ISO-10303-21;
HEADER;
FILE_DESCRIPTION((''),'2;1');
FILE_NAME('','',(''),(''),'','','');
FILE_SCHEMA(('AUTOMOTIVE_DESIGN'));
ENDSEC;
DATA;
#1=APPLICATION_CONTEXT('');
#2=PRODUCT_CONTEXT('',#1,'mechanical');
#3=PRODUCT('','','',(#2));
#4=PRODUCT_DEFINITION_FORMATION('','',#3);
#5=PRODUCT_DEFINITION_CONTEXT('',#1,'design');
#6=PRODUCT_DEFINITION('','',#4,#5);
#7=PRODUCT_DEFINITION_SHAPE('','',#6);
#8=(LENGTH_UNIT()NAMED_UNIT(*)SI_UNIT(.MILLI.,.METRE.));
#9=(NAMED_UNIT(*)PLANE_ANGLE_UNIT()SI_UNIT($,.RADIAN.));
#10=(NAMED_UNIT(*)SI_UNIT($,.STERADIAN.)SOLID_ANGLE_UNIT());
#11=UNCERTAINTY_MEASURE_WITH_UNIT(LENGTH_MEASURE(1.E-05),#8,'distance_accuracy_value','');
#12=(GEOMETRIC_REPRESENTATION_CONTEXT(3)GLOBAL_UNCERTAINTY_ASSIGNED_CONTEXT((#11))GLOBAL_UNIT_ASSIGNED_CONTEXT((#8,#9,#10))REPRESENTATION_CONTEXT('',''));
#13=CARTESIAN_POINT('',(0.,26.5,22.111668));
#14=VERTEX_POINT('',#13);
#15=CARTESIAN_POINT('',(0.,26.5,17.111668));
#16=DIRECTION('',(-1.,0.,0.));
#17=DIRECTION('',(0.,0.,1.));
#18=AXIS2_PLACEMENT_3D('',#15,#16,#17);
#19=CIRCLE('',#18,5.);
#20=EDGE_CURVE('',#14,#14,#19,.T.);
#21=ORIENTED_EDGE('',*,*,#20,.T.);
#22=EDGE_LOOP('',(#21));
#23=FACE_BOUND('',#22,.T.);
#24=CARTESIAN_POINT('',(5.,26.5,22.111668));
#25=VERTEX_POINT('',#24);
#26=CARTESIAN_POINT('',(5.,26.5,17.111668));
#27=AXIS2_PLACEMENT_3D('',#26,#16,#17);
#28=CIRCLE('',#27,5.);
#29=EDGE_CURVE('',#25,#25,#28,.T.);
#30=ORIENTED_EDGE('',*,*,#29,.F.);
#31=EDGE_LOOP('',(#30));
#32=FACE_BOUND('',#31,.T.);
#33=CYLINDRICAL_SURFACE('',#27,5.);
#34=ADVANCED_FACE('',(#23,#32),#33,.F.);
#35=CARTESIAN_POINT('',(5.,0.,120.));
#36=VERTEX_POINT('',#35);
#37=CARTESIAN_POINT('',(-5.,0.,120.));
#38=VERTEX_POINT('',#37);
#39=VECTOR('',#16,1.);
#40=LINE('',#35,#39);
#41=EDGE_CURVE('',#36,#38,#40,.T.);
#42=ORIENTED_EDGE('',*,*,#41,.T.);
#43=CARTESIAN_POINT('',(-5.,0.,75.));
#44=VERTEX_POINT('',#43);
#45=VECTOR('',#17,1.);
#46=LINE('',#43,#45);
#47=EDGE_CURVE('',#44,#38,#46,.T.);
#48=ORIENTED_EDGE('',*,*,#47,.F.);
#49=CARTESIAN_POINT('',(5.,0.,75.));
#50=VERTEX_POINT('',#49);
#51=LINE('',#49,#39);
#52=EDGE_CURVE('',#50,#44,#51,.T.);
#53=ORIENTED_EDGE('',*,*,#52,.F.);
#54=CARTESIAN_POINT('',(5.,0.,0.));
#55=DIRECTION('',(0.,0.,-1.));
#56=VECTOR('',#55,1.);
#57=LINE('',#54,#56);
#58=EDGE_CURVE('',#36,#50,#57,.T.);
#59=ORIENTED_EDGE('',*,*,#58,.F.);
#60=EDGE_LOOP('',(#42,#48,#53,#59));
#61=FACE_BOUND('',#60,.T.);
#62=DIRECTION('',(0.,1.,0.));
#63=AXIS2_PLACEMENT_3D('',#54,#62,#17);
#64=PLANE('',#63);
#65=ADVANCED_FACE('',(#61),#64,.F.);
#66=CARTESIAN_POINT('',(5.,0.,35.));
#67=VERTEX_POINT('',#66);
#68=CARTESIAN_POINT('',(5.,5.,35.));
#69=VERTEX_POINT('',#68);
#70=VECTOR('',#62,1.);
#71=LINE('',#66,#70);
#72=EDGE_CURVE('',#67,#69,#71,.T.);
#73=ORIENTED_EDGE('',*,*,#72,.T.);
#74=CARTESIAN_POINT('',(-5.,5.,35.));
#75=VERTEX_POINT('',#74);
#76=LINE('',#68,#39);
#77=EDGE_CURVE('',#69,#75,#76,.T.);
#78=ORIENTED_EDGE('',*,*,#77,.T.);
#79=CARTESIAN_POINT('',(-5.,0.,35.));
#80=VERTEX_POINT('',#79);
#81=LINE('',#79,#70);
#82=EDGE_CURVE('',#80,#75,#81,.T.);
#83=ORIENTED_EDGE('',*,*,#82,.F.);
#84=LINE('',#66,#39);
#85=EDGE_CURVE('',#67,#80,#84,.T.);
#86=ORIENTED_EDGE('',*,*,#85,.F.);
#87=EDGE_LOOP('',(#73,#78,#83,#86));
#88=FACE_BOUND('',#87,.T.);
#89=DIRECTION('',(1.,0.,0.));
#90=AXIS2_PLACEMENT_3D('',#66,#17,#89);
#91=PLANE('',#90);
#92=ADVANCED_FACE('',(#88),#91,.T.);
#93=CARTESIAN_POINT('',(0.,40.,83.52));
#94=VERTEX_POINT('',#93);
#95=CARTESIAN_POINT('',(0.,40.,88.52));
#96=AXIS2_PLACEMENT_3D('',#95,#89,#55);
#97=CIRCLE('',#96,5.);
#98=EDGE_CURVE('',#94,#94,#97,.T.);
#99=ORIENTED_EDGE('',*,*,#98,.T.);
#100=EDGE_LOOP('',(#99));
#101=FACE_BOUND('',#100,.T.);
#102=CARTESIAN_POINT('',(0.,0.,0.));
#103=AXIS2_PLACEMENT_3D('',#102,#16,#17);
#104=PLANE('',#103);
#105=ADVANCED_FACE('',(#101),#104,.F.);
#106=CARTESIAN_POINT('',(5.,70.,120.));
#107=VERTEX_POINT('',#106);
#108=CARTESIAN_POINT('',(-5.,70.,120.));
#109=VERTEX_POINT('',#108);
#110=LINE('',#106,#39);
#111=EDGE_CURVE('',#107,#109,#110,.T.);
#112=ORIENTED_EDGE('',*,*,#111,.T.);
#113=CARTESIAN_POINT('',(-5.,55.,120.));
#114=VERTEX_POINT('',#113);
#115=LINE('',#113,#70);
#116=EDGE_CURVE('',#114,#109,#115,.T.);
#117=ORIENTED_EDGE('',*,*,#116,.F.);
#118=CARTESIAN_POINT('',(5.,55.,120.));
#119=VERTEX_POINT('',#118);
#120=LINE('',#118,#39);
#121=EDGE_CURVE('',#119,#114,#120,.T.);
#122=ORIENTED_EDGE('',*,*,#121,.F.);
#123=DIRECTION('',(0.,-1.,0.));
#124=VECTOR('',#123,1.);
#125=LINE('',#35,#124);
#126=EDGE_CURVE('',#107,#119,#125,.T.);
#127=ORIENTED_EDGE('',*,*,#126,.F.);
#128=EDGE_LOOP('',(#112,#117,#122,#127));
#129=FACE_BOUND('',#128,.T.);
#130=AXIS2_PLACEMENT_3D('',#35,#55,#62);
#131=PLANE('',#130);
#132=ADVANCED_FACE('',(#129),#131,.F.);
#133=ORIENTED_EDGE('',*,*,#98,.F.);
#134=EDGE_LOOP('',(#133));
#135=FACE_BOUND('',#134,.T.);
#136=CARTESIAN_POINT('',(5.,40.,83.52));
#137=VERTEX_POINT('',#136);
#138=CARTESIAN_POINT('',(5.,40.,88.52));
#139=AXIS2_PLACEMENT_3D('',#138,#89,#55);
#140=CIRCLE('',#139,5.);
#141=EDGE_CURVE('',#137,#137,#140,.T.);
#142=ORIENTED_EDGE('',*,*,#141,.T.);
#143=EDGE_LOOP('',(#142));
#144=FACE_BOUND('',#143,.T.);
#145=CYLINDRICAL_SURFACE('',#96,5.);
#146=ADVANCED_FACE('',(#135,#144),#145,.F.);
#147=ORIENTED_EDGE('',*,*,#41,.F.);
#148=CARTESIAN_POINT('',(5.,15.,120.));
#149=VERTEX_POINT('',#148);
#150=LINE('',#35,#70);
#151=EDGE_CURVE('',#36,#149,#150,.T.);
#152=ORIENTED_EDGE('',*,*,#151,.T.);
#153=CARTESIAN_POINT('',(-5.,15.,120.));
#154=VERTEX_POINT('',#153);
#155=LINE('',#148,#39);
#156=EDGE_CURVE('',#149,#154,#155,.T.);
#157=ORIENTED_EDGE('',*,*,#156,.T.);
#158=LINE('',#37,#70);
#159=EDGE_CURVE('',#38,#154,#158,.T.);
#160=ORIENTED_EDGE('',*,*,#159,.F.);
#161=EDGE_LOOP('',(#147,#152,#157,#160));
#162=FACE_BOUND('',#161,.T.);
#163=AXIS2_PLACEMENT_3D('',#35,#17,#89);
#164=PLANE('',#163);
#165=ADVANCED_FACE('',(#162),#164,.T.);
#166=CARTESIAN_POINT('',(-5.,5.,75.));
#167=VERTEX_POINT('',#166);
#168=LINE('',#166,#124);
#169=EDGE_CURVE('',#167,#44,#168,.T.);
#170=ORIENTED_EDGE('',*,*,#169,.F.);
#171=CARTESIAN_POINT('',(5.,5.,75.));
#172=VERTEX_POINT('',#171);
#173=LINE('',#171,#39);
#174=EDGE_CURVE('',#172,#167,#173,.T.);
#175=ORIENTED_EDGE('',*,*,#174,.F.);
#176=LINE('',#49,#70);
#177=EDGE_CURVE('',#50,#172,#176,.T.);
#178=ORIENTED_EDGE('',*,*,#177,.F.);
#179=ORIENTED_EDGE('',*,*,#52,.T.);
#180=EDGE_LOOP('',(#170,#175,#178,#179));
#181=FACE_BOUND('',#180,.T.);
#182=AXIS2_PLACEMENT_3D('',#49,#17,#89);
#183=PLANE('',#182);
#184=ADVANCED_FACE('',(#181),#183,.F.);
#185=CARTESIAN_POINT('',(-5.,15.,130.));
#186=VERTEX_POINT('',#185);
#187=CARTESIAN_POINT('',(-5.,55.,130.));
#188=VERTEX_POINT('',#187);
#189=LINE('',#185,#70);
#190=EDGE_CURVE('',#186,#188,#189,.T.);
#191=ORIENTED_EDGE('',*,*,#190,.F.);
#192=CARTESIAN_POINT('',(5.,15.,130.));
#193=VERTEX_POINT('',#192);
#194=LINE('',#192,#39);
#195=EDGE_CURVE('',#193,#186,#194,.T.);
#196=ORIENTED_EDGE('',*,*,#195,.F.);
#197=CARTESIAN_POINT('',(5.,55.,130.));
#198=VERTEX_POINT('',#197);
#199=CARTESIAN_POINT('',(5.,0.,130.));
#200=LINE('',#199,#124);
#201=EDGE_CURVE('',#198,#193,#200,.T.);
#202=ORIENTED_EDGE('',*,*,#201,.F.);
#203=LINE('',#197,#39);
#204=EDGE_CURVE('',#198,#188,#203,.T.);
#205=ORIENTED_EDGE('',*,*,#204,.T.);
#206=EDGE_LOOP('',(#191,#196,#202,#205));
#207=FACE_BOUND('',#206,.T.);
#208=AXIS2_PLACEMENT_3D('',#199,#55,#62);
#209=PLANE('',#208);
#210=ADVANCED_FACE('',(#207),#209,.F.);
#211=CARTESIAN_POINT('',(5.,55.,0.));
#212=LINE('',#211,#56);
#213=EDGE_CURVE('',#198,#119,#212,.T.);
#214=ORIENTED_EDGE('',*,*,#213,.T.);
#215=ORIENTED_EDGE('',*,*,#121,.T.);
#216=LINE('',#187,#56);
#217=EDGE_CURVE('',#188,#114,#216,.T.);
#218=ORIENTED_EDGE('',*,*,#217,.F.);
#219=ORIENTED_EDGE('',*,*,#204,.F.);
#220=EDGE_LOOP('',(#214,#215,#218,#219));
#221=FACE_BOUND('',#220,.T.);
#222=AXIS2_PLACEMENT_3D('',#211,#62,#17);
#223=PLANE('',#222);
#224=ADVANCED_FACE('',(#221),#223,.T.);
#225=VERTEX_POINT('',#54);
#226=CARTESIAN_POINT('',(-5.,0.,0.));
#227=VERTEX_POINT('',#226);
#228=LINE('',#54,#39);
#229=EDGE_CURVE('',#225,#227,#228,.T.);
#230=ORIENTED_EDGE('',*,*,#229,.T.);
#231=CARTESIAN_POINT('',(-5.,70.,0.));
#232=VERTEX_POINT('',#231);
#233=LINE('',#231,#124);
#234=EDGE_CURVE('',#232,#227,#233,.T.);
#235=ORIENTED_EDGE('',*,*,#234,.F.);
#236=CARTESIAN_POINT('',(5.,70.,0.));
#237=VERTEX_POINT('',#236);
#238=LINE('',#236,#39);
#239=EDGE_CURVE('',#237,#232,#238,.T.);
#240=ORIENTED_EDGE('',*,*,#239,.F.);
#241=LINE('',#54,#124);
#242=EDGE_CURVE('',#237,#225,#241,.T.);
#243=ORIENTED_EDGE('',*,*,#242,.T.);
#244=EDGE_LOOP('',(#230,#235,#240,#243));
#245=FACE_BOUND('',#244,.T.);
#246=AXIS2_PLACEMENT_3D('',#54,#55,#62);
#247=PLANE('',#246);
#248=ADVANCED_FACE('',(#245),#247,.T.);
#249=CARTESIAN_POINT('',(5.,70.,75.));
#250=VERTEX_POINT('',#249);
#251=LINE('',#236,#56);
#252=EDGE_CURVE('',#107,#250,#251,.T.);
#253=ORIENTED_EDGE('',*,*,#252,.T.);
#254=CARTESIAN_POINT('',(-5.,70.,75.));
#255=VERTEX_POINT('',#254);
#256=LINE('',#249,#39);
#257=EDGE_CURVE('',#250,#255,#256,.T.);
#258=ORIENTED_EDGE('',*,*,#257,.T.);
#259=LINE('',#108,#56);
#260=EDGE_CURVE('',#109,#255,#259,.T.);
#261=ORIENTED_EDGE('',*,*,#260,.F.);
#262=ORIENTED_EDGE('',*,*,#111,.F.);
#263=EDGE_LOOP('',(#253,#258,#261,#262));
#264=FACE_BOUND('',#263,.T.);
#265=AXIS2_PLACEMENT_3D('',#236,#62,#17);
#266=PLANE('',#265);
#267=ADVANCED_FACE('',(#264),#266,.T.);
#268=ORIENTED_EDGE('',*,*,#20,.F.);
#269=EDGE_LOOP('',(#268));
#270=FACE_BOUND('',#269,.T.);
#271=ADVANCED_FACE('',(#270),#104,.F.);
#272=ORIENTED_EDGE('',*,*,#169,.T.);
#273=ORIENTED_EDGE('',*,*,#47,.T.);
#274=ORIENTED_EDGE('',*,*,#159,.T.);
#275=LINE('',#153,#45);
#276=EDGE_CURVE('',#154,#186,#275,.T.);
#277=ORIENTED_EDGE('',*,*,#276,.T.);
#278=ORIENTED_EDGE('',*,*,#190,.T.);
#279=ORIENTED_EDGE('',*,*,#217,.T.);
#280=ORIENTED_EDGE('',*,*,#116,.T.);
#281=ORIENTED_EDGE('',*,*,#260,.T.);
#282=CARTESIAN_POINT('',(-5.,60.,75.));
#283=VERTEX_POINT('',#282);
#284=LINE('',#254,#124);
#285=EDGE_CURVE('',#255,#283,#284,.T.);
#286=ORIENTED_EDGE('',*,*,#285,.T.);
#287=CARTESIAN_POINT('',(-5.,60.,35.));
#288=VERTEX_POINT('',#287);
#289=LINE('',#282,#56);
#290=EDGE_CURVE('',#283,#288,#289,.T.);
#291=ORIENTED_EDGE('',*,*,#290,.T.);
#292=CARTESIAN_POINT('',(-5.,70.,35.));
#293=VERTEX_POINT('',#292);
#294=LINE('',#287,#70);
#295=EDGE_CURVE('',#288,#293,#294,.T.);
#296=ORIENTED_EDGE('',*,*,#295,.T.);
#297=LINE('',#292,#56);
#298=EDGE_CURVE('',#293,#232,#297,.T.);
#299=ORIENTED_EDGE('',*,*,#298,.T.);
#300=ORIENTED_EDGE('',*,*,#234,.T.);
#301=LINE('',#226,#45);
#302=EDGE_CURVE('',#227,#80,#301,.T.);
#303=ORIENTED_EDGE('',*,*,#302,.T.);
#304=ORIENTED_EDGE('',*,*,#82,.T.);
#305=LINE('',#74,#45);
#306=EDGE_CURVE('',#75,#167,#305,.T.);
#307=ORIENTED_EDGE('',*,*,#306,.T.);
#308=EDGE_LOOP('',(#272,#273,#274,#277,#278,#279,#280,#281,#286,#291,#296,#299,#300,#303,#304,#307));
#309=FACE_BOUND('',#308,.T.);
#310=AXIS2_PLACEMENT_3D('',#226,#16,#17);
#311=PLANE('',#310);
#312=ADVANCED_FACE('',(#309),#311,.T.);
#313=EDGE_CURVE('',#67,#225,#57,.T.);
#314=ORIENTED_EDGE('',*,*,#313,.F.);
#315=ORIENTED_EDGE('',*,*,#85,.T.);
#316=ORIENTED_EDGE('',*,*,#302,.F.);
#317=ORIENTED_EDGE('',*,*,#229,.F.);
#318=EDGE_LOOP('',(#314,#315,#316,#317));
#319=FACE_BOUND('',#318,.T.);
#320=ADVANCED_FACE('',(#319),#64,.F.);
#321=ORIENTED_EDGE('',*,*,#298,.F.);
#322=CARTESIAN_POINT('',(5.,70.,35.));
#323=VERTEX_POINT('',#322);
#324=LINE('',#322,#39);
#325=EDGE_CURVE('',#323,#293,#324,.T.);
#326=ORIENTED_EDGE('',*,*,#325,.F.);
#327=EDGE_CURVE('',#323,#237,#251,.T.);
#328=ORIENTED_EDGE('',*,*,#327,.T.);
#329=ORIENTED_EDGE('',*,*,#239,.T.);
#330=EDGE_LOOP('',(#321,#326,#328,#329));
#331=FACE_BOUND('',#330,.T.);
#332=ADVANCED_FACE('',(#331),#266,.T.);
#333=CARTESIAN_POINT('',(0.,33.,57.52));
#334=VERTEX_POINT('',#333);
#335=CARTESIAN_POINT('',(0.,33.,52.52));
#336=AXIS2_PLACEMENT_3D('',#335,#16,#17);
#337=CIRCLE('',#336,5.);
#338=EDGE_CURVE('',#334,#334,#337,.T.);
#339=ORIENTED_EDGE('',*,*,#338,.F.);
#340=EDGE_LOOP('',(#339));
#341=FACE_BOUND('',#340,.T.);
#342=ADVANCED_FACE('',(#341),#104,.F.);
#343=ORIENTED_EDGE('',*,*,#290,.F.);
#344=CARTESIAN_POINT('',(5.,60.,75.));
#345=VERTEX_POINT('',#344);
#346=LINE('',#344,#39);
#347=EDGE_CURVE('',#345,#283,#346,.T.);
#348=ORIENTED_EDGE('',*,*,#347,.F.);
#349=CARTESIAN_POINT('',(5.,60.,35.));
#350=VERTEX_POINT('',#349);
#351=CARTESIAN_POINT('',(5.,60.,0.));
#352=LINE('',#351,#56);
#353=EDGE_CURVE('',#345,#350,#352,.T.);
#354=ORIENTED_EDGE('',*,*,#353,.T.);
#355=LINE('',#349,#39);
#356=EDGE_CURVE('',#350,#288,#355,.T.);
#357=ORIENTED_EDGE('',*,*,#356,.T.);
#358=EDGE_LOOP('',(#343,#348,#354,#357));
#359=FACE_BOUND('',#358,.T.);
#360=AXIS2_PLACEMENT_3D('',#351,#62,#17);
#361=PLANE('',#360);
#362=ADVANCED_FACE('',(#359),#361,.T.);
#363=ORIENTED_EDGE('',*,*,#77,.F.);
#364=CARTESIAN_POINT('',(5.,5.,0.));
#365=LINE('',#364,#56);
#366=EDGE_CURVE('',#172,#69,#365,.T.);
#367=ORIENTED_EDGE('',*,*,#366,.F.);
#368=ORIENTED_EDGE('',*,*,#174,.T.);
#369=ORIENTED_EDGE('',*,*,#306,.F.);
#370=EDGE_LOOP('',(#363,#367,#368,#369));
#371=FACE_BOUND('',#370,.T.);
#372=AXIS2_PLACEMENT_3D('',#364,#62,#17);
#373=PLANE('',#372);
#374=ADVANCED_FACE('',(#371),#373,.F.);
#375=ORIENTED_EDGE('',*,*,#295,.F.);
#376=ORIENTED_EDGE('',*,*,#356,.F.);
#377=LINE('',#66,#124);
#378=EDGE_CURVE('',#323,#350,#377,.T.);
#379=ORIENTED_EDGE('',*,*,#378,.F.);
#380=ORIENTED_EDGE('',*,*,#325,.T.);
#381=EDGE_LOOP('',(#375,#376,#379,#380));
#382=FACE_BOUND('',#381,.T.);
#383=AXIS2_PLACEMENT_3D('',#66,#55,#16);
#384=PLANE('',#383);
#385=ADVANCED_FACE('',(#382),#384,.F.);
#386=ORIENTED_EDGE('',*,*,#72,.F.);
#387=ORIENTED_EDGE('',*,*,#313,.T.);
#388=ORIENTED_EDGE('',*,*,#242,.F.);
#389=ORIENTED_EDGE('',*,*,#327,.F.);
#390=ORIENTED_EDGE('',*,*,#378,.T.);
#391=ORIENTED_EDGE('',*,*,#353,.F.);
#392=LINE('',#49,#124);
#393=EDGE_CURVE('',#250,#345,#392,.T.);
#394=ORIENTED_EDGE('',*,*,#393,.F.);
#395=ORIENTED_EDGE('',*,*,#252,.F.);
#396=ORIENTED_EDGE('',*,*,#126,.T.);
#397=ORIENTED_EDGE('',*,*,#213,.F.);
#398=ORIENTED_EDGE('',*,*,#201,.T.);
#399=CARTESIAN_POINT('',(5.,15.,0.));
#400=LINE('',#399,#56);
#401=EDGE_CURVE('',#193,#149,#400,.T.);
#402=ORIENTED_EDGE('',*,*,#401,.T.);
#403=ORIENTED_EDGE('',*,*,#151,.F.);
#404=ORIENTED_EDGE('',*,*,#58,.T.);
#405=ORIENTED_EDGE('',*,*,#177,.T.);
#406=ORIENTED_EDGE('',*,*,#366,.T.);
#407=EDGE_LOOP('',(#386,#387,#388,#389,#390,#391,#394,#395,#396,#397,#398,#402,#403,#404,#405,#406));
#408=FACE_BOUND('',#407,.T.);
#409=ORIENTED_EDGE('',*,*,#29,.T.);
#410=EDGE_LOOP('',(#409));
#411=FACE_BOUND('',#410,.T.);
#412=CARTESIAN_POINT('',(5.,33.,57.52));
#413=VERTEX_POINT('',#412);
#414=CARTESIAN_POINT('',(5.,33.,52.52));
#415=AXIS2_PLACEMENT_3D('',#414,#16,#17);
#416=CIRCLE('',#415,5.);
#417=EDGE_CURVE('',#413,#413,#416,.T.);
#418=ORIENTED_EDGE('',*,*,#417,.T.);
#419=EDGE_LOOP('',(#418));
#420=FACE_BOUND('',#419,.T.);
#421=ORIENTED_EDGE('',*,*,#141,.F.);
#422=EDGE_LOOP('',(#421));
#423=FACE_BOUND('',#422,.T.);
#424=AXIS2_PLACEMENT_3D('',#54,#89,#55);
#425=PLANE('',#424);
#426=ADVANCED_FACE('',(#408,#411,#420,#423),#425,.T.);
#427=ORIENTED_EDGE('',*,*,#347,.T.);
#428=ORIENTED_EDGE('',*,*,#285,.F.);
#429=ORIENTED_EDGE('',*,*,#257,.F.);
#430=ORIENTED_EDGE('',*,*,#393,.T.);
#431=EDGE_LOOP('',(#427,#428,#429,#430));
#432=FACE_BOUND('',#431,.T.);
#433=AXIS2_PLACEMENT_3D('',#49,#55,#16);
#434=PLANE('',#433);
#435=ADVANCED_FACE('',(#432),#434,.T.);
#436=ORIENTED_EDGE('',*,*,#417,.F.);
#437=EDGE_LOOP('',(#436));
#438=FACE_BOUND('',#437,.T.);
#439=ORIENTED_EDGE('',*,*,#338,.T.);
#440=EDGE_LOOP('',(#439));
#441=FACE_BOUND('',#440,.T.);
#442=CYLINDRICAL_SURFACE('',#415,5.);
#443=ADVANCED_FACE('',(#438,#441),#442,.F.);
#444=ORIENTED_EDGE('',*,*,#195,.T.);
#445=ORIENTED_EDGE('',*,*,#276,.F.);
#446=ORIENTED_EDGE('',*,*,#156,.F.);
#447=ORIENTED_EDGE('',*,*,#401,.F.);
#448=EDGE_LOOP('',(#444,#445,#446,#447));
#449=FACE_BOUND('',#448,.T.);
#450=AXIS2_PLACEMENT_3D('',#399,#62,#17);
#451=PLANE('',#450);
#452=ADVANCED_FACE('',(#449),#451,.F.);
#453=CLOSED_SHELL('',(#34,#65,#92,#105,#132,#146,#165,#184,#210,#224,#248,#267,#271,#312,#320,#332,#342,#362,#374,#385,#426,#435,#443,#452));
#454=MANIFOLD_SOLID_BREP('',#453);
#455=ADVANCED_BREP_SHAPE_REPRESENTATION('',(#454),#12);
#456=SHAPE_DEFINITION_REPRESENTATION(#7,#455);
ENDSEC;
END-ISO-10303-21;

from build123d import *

# Parameters (mm, degrees)
BOSS_EXTRUDE1_DEPTH = 5
SKETCH5_R           = 5
CUT_EXTRUDE4_DEPTH  = 5
SKETCH2_R           = 5
CUT_EXTRUDE5_DEPTH  = 5
BOSS_EXTRUDE2_DEPTH = 5


with BuildPart() as part:
    # Sketch1 → Boss-Extrude1 (new body)
    with BuildSketch(Plane(origin=(0, 0, 0), x_dir=(0, 0, -1), z_dir=(1, 0, 0))):
        Polygon((-75, 70), (-120, 70), (-120, 55), (-130, 55), (-130, 15), (-120, 15), (-120, 0), (-75, 0), (-75, 5), (-35, 5), (-35, 0), (-10, 0), (0, 0), (0, 15), (0, 55), (0, 70), (-10, 70), (-35, 70), (-35, 60), (-75, 60), align=None)
    extrude(amount=BOSS_EXTRUDE1_DEPTH)

    # Sketch5 → Cut-Extrude4 (cut)
    with BuildSketch(Plane.ZY):
        with Locations((17.111667647, 26.5)):
            Circle(SKETCH5_R)
        with Locations((52.52, 33)):
            Circle(SKETCH5_R)
    extrude(amount=-CUT_EXTRUDE4_DEPTH, mode=Mode.SUBTRACT)

    # Sketch2 → Cut-Extrude5 (cut)
    with BuildSketch(Plane(origin=(5, 0, 0), x_dir=(0, 0, -1), z_dir=(1, 0, 0))):
        with Locations((-88.52, 40)):
            Circle(SKETCH2_R)
    extrude(amount=-CUT_EXTRUDE5_DEPTH, mode=Mode.SUBTRACT)

    # Sketch6 → Boss-Extrude2 (add)
    with BuildSketch(Plane.ZY):
        Polygon((35, 0), (35, 5), (75, 5), (75, 0), (120, 0), (120, 15), (130, 15), (130, 55), (120, 55), (120, 70), (75, 70), (75, 60), (35, 60), (35, 70), (0, 70), (0, 0), align=None)
    extrude(amount=BOSS_EXTRUDE2_DEPTH)


solid = part.part
